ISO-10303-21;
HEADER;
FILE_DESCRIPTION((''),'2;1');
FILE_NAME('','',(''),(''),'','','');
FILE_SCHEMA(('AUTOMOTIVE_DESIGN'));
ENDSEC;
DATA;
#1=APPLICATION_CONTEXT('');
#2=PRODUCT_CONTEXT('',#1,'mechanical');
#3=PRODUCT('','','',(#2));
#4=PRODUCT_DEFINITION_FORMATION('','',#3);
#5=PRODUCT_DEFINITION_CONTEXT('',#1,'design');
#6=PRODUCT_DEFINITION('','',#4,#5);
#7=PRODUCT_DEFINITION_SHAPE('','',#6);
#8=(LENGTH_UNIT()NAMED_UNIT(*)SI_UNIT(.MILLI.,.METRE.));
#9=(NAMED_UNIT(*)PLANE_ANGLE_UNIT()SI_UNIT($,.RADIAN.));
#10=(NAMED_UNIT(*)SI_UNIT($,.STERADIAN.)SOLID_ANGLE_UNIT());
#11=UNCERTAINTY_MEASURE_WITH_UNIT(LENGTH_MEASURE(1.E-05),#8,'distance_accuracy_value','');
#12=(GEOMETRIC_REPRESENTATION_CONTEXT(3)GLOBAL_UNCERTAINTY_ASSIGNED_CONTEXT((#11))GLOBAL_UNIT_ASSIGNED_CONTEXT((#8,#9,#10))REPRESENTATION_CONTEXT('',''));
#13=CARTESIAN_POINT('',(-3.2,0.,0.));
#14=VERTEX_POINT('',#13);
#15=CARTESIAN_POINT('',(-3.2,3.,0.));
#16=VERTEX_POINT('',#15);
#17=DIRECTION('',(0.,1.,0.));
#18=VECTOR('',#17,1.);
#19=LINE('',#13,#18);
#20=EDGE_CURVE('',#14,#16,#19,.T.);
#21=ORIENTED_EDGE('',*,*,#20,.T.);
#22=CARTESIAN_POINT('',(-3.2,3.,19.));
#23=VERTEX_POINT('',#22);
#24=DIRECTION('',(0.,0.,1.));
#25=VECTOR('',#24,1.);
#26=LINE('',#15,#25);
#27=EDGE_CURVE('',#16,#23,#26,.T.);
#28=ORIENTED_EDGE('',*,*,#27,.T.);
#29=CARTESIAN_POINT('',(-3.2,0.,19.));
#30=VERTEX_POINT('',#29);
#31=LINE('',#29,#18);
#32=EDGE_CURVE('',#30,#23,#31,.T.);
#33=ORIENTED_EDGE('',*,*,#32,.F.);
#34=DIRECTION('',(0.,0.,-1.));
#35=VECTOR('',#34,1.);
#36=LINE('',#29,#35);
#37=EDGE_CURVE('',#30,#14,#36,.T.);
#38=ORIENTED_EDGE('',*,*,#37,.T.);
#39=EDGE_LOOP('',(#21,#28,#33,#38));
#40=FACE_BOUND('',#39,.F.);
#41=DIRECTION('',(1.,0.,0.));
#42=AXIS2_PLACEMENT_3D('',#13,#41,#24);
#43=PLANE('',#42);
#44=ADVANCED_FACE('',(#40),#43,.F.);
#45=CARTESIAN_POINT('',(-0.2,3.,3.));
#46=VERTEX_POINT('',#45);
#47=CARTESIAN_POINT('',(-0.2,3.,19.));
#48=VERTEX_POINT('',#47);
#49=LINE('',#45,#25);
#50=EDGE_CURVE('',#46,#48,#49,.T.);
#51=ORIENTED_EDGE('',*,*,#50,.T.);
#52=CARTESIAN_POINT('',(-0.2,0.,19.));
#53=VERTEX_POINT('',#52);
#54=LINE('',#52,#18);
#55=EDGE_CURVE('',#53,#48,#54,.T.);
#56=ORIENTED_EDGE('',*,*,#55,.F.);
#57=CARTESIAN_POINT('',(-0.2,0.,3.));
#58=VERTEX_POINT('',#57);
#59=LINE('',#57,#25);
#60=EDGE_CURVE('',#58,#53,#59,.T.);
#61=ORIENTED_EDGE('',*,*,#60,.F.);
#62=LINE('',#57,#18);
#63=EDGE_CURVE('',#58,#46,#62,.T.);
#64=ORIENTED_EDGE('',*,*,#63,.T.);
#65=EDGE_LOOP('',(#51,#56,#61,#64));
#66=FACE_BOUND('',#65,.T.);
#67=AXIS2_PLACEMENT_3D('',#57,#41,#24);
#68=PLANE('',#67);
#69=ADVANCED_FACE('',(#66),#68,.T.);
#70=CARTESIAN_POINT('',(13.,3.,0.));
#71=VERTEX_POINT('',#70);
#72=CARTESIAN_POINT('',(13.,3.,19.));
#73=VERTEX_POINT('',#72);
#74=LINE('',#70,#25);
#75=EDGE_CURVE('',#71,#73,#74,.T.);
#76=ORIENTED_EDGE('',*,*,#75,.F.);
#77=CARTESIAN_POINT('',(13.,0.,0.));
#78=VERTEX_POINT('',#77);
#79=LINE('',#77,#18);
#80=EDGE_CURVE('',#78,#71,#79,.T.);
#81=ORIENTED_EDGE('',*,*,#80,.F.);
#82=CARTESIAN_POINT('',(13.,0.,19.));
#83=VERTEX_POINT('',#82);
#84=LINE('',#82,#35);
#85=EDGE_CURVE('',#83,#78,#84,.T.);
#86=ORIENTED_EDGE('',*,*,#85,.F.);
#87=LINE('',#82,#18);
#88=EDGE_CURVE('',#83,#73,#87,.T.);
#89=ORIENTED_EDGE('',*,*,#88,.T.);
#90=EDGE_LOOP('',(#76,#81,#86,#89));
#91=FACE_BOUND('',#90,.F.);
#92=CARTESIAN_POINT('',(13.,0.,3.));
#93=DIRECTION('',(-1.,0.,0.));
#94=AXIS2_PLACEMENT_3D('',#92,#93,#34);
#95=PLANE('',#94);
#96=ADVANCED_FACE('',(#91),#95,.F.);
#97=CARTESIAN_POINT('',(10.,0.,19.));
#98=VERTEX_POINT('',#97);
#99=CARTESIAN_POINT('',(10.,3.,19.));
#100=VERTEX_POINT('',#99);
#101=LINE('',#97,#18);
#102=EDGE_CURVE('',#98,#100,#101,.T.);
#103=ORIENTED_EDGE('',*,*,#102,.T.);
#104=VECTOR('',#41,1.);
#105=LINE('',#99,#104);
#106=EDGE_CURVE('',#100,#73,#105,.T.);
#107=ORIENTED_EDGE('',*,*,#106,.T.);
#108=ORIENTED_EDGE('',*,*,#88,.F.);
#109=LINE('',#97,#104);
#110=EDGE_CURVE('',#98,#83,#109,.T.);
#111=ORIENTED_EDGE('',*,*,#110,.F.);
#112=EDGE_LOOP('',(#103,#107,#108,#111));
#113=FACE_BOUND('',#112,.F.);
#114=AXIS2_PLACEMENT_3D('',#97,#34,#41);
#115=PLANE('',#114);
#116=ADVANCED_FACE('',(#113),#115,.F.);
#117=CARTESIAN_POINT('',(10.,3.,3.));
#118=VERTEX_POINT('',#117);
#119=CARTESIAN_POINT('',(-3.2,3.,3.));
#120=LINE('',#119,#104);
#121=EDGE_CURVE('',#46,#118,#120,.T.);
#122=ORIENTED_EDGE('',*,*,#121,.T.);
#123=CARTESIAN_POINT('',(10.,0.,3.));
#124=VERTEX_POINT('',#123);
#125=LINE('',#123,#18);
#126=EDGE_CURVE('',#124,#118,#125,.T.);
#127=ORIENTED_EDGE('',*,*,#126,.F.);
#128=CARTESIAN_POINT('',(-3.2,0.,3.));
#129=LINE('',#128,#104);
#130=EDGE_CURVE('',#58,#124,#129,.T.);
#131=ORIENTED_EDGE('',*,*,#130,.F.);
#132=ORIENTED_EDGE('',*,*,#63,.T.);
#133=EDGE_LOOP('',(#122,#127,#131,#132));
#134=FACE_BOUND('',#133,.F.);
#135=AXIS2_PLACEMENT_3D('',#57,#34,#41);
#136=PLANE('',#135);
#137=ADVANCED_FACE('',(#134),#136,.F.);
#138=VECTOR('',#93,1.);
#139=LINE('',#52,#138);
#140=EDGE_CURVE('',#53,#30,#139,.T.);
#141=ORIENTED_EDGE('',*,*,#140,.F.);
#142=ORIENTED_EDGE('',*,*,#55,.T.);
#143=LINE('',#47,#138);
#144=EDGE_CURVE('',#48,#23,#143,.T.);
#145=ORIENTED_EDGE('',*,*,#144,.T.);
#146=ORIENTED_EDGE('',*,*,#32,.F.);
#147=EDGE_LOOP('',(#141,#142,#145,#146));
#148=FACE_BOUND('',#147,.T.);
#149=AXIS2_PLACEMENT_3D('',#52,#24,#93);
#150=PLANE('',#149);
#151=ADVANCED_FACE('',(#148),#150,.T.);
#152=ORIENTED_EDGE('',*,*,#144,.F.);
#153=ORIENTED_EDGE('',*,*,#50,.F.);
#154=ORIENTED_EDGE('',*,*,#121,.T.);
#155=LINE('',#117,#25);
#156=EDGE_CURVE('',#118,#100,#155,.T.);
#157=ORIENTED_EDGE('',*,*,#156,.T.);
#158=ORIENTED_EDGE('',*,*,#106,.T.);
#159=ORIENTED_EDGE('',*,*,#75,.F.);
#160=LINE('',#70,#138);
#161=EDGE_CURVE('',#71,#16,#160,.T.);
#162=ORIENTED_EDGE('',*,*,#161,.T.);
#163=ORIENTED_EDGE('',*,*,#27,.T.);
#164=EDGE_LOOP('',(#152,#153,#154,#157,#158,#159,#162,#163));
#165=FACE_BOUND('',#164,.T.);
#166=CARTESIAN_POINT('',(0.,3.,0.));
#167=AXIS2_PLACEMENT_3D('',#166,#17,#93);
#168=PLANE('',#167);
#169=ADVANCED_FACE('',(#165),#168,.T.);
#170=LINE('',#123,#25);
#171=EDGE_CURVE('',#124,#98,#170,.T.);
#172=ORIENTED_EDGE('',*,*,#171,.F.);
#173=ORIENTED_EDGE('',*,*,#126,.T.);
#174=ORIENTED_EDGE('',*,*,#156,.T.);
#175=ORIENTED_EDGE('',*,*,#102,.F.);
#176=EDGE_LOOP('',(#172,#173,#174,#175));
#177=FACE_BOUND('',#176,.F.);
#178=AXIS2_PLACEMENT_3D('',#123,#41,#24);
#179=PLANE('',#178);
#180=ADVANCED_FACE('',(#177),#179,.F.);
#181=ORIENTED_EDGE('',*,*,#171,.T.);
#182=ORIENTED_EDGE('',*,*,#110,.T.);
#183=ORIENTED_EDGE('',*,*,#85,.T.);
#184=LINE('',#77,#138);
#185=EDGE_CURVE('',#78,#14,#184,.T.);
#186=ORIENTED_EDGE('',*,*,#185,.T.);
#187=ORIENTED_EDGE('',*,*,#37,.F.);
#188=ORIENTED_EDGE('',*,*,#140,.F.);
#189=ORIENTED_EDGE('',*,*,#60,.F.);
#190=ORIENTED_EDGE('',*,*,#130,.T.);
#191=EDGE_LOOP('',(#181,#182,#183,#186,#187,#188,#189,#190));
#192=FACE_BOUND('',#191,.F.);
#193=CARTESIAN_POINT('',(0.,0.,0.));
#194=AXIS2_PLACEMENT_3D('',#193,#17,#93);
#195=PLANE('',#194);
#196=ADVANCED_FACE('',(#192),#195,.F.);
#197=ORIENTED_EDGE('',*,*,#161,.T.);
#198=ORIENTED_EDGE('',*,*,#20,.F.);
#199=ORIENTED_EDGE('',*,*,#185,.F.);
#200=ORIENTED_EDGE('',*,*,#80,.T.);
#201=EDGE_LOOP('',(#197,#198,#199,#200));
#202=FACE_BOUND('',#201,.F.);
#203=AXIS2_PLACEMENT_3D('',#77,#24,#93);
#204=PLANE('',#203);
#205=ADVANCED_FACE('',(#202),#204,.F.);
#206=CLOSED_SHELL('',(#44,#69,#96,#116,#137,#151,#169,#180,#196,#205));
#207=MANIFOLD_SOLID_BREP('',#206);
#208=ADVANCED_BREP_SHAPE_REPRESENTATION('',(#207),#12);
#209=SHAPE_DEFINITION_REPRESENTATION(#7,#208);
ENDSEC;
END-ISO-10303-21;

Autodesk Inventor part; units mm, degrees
ref_plane "YZ Plane" through (0, 0, 0) normal (1, 0, 0) x (0, 1, 0)
ref_plane "XZ Plane" through (0, 0, 0) normal (0, 1, 0) x (-1, 0, 0)
ref_plane "XY Plane" through (0, 0, 0) normal (0, 0, 1) x (1, 0, 0)
sketch "Sketch1" plane through (0, 0, 0) normal (0, 1, 0) x (-1, 0, 0)
  line L0 (-13, 0) -> (3.2, 0)
  line L1 (3.2, 0) -> (3.2, 3)
  line L2 (3.2, 3) -> (-13, 3)
  line L3 (-13, 3) -> (-13, 0)
  line L4 (-13, 3) -> (-10, 3)
  line L5 (-10, 3) -> (-10, 19)
  line L6 (-10, 19) -> (-13, 19)
  line L7 (-13, 19) -> (-13, 3)
  line L8 (3.2, 3) -> (0.2, 3)
  line L9 (0.2, 3) -> (0.2, 19)
  line L10 (0.2, 19) -> (3.2, 19)
  line L11 (3.2, 19) -> (3.2, 3)
  point P0 (0, 0)
  dimension "d0" = 16.2
  dimension "d1" = 3
  dimension "d2" = 3
  dimension "d3" = 16
  dimension "d4" = 3
  dimension "d5" = 16
extrude "Extrusion1" add sketch "Sketch1" along normal blind 3
